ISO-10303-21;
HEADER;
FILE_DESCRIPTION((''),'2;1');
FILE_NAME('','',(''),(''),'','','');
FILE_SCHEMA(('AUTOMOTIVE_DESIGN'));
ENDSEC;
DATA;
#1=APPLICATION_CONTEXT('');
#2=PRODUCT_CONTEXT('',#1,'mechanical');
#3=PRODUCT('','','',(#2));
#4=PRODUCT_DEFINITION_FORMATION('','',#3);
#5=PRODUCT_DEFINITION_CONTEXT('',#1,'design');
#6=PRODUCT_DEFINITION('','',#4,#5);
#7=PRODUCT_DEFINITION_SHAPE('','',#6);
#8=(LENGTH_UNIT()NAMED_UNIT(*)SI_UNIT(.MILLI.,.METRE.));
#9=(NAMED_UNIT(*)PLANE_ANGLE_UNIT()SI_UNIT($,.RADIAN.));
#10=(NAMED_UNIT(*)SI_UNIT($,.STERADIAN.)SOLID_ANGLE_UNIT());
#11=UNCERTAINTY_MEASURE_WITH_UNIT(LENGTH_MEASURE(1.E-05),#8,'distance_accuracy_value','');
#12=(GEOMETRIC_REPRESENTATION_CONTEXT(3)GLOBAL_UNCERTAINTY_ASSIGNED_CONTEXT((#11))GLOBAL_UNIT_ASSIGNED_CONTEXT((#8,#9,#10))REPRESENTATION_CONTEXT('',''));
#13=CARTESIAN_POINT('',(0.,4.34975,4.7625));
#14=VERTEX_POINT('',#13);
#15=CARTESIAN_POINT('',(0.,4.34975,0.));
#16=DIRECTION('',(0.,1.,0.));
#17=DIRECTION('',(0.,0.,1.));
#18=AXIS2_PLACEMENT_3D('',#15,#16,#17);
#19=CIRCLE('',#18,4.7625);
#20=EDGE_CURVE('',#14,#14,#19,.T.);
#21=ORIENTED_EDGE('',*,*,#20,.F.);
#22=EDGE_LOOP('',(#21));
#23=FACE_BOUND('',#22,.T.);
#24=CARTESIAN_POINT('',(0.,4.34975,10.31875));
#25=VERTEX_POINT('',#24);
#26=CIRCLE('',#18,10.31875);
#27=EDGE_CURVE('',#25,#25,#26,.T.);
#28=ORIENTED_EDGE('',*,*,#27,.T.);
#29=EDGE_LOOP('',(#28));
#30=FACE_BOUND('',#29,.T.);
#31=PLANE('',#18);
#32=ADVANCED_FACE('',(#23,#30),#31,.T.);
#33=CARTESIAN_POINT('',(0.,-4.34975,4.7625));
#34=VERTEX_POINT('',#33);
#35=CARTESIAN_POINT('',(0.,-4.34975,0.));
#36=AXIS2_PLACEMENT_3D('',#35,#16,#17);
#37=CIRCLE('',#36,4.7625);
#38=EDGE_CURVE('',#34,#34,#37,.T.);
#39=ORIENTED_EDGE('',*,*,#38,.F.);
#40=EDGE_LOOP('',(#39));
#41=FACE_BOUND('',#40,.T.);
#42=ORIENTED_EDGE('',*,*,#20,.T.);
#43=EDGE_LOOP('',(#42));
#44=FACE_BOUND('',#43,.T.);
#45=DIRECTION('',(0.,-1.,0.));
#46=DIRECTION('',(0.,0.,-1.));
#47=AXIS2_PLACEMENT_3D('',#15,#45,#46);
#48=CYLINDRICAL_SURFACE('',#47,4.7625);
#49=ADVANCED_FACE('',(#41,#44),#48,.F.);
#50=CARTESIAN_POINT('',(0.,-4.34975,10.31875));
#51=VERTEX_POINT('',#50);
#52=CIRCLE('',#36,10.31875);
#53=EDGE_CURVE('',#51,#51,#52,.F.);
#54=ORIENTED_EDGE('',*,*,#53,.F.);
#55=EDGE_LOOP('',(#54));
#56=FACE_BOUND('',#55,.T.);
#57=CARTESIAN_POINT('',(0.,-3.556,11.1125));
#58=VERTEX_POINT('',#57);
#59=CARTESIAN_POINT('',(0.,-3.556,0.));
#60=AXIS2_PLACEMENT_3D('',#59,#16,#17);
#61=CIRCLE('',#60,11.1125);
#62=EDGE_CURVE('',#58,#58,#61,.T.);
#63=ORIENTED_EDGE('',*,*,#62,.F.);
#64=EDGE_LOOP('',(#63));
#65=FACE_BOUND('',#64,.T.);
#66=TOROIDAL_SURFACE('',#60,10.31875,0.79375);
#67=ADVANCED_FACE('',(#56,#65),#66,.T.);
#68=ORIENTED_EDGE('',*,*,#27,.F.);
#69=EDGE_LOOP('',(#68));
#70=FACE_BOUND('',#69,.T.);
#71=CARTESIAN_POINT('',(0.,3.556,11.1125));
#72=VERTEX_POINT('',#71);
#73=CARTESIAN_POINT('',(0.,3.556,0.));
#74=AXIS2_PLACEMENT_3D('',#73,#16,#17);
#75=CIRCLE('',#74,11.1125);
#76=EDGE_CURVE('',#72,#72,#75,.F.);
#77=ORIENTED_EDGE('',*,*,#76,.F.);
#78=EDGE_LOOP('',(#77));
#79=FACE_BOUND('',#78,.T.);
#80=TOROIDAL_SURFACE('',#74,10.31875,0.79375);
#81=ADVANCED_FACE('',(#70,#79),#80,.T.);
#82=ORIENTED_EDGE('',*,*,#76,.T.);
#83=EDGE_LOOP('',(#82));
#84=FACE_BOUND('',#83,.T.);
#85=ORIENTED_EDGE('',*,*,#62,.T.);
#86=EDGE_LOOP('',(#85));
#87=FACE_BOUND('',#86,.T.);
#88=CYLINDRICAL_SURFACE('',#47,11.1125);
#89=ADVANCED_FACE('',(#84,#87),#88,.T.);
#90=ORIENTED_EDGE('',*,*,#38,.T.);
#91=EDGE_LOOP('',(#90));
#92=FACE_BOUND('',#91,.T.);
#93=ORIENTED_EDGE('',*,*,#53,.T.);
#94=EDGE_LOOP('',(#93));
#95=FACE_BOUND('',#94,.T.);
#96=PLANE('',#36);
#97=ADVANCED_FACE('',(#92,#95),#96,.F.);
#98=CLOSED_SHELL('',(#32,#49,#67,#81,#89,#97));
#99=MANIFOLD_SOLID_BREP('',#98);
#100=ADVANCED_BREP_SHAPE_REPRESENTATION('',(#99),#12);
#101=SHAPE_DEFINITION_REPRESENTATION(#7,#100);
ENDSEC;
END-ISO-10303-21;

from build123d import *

# Parameters (mm, degrees)
ESQUISSE1_R        = 11.1125
ESQUISSE1_R_2      = 4.7625
BOSS_EXTRU_1_DEPTH = 4.34975
CONG_1_R           = 0.79375


with BuildPart() as part:
    # Esquisse1 → Boss.-Extru.1 (new, symmetric)
    with BuildSketch(Plane(origin=(0, 0, 0), x_dir=(1, 0, 0), z_dir=(0, 1, 0))):
        with Locations(Location((0, 0, 0), (0, 0, 270))):
            Circle(ESQUISSE1_R)
        with Locations(Location((0, 0, 0), (0, 0, 270))):
            Circle(ESQUISSE1_R_2, mode=Mode.SUBTRACT)
    extrude(amount=BOSS_EXTRU_1_DEPTH, both=True)

    # Congé1
    cong_1_edges = [part.edges().sort_by_distance(p)[0] for p in [
        (0, -4.34975, -11.1125),
        (0, 4.34975, -11.1125),
    ]]
    fillet(cong_1_edges, radius=CONG_1_R)


solid = part.part
